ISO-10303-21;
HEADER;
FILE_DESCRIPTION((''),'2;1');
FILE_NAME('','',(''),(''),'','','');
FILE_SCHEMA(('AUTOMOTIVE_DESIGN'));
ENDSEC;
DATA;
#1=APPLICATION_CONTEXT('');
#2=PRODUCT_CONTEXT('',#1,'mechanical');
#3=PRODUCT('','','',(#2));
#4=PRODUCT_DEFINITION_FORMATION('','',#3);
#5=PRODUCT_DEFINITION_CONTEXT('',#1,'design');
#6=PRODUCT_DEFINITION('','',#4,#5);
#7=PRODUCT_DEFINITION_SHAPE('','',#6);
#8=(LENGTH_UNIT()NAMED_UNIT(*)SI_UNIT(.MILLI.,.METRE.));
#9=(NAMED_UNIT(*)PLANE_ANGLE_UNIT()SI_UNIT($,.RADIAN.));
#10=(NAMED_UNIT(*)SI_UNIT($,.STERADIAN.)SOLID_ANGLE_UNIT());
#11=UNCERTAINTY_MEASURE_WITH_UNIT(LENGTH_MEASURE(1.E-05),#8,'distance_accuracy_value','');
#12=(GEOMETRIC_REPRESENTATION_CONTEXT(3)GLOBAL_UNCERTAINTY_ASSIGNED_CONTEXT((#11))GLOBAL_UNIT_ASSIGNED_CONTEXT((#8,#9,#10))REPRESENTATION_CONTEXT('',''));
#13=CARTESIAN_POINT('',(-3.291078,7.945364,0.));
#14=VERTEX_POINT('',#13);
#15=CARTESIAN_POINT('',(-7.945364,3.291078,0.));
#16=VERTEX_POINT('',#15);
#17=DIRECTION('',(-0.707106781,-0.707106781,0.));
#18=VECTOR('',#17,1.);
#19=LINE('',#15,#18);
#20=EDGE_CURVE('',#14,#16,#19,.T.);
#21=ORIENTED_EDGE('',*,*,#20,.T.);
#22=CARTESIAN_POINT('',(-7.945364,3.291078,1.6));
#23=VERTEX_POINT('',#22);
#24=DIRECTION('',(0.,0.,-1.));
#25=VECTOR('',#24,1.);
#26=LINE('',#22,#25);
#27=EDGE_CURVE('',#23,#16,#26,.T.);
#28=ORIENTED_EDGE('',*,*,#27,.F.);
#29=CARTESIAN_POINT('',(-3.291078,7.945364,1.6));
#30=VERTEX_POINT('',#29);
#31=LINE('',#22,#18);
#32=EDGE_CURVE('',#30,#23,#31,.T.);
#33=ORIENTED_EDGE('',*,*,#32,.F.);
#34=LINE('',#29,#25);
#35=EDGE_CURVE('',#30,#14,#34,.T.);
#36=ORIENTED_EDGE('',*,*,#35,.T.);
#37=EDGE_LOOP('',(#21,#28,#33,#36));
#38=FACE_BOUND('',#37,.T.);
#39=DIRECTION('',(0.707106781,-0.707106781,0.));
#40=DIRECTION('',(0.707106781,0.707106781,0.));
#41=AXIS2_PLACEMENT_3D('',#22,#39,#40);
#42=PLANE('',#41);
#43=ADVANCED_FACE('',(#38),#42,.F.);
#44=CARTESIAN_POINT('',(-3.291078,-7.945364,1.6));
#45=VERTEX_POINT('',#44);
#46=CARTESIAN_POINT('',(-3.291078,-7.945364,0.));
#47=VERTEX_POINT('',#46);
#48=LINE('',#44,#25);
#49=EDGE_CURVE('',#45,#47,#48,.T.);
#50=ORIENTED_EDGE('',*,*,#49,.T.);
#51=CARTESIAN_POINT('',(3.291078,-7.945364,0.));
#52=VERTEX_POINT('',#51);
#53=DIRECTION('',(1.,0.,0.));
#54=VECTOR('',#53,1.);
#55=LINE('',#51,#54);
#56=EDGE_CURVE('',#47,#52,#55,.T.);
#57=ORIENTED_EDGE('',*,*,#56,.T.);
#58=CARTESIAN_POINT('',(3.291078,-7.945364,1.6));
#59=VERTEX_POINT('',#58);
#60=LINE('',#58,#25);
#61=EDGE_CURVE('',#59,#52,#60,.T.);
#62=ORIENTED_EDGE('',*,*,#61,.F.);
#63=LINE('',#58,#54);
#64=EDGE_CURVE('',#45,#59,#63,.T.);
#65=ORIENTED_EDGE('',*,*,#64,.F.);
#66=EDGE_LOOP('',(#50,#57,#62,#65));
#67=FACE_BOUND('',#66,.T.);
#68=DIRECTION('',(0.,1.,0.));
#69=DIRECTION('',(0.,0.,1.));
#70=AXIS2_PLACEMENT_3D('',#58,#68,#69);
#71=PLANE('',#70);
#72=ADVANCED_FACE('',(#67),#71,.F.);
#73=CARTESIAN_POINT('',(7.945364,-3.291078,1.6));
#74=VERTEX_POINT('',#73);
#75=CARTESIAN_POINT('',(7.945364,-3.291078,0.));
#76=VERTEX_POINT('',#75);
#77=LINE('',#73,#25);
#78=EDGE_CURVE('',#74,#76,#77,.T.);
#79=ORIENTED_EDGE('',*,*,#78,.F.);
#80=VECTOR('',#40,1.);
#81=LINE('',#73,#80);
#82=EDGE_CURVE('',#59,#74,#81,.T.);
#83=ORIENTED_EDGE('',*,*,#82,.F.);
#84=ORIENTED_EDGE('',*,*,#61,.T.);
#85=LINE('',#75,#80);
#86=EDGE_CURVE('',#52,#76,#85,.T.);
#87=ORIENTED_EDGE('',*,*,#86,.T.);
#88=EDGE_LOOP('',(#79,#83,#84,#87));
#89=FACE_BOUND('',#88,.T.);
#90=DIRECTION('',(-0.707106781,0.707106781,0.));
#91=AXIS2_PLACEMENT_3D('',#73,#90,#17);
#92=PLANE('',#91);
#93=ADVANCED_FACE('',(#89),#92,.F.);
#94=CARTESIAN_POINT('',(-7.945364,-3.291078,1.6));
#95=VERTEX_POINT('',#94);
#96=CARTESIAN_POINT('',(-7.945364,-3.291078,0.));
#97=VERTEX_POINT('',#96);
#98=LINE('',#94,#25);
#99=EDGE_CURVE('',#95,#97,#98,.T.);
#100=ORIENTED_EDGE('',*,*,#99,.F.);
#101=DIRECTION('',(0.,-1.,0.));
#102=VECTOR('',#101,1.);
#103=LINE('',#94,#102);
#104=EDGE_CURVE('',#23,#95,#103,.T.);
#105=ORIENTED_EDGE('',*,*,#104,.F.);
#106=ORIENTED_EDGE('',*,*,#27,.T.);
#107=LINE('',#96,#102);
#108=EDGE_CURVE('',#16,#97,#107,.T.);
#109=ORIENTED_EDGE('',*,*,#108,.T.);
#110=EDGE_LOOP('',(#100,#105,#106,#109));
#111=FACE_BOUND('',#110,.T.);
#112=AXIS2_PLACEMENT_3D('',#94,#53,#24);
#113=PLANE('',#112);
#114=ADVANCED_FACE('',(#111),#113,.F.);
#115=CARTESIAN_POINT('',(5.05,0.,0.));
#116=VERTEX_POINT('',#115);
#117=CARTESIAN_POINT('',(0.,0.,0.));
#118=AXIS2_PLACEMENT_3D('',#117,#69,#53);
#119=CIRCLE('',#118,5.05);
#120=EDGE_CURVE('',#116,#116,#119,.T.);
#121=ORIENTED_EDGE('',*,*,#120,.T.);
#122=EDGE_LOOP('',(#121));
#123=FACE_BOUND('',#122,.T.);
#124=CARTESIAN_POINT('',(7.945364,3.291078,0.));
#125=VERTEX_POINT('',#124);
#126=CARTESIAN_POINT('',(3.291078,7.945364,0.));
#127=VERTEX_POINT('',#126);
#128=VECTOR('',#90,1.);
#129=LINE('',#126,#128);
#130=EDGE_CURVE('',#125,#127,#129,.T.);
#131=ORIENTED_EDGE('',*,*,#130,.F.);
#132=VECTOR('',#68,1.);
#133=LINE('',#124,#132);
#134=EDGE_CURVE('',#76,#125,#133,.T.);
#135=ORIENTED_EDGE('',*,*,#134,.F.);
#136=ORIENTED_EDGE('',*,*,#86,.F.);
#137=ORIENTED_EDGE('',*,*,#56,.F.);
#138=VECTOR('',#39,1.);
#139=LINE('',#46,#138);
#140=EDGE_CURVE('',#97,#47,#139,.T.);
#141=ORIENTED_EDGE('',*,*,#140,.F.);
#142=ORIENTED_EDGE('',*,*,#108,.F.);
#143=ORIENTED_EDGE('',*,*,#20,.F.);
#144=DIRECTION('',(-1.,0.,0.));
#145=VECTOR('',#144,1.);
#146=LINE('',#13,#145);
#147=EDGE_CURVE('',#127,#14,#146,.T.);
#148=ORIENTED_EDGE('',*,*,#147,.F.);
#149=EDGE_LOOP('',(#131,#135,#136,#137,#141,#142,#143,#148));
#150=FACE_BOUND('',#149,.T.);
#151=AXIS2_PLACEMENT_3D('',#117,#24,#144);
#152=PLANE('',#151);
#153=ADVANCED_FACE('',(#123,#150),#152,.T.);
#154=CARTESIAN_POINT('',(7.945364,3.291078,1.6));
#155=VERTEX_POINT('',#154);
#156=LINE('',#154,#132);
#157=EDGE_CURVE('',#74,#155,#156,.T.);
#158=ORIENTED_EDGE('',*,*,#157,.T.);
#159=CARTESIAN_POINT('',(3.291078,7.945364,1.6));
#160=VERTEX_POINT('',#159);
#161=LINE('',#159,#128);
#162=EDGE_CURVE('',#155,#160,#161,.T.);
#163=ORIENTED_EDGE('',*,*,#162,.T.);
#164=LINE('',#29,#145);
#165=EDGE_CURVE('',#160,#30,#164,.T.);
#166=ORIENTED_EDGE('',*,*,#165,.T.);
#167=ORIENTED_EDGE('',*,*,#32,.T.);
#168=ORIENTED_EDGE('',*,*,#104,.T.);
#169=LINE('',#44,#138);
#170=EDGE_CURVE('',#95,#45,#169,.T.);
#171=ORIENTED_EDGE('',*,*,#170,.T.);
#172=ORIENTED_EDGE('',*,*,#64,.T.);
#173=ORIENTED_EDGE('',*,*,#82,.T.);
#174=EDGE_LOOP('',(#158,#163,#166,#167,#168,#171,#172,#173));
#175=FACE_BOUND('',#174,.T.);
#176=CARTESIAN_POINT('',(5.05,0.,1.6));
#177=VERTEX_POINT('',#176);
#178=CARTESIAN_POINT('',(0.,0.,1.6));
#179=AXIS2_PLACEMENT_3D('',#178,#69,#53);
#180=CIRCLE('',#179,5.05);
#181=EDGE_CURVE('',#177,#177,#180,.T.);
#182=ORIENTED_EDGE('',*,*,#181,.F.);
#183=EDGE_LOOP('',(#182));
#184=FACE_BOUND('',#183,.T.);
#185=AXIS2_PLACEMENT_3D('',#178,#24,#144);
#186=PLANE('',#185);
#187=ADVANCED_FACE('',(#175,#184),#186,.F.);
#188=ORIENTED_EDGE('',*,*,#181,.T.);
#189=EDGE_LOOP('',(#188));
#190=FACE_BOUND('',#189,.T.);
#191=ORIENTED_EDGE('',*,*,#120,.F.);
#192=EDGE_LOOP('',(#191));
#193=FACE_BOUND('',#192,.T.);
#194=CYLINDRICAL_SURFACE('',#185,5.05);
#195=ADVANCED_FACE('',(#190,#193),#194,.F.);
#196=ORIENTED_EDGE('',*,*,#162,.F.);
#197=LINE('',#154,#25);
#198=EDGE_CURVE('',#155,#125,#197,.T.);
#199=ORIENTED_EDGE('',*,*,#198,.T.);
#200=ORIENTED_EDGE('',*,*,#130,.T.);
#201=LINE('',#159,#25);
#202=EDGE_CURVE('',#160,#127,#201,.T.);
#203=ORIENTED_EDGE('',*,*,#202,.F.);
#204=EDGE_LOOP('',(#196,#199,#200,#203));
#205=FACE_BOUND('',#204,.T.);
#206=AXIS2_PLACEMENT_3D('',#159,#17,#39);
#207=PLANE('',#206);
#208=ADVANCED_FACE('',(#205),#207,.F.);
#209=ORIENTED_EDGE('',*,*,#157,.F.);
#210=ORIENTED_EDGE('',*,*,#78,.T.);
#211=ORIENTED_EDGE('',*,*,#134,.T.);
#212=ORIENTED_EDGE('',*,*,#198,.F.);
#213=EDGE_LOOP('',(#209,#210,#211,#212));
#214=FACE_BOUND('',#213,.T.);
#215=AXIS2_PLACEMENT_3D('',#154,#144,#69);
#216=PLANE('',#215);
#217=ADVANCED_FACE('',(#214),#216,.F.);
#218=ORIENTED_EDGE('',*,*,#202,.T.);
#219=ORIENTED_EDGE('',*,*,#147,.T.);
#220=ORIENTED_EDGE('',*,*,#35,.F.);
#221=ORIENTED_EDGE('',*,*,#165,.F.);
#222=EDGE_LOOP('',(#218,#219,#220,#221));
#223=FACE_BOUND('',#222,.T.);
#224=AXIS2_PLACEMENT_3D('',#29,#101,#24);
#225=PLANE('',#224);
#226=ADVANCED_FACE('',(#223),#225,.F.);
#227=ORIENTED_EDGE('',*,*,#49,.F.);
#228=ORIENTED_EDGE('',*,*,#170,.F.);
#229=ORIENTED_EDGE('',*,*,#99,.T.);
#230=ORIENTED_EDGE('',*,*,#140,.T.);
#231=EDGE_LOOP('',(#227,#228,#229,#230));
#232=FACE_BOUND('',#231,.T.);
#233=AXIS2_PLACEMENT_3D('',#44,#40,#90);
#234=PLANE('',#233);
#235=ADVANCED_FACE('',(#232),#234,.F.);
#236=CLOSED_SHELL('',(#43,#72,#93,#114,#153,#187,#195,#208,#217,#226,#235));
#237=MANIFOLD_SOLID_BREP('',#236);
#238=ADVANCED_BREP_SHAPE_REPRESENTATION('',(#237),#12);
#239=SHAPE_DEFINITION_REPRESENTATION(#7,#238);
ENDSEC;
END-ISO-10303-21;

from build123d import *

# Parameters (mm, degrees)
SKETCH1_R           = 5.05
BOSS_EXTRUDE1_DEPTH = 1.6


with BuildPart() as part:
    # Sketch1 → Boss-Extrude1 (new body)
    with BuildSketch(Plane.XY):
        Polygon((-3.291077518, 7.94536398), (3.291077518, 7.94536398), (7.94536398, 3.291077518), (7.94536398, -3.291077518), (3.291077518, -7.94536398), (-3.291077518, -7.94536398), (-7.94536398, -3.291077518), (-7.94536398, 3.291077518), align=None)
        Circle(SKETCH1_R, mode=Mode.SUBTRACT)
    extrude(amount=BOSS_EXTRUDE1_DEPTH)


solid = part.part
